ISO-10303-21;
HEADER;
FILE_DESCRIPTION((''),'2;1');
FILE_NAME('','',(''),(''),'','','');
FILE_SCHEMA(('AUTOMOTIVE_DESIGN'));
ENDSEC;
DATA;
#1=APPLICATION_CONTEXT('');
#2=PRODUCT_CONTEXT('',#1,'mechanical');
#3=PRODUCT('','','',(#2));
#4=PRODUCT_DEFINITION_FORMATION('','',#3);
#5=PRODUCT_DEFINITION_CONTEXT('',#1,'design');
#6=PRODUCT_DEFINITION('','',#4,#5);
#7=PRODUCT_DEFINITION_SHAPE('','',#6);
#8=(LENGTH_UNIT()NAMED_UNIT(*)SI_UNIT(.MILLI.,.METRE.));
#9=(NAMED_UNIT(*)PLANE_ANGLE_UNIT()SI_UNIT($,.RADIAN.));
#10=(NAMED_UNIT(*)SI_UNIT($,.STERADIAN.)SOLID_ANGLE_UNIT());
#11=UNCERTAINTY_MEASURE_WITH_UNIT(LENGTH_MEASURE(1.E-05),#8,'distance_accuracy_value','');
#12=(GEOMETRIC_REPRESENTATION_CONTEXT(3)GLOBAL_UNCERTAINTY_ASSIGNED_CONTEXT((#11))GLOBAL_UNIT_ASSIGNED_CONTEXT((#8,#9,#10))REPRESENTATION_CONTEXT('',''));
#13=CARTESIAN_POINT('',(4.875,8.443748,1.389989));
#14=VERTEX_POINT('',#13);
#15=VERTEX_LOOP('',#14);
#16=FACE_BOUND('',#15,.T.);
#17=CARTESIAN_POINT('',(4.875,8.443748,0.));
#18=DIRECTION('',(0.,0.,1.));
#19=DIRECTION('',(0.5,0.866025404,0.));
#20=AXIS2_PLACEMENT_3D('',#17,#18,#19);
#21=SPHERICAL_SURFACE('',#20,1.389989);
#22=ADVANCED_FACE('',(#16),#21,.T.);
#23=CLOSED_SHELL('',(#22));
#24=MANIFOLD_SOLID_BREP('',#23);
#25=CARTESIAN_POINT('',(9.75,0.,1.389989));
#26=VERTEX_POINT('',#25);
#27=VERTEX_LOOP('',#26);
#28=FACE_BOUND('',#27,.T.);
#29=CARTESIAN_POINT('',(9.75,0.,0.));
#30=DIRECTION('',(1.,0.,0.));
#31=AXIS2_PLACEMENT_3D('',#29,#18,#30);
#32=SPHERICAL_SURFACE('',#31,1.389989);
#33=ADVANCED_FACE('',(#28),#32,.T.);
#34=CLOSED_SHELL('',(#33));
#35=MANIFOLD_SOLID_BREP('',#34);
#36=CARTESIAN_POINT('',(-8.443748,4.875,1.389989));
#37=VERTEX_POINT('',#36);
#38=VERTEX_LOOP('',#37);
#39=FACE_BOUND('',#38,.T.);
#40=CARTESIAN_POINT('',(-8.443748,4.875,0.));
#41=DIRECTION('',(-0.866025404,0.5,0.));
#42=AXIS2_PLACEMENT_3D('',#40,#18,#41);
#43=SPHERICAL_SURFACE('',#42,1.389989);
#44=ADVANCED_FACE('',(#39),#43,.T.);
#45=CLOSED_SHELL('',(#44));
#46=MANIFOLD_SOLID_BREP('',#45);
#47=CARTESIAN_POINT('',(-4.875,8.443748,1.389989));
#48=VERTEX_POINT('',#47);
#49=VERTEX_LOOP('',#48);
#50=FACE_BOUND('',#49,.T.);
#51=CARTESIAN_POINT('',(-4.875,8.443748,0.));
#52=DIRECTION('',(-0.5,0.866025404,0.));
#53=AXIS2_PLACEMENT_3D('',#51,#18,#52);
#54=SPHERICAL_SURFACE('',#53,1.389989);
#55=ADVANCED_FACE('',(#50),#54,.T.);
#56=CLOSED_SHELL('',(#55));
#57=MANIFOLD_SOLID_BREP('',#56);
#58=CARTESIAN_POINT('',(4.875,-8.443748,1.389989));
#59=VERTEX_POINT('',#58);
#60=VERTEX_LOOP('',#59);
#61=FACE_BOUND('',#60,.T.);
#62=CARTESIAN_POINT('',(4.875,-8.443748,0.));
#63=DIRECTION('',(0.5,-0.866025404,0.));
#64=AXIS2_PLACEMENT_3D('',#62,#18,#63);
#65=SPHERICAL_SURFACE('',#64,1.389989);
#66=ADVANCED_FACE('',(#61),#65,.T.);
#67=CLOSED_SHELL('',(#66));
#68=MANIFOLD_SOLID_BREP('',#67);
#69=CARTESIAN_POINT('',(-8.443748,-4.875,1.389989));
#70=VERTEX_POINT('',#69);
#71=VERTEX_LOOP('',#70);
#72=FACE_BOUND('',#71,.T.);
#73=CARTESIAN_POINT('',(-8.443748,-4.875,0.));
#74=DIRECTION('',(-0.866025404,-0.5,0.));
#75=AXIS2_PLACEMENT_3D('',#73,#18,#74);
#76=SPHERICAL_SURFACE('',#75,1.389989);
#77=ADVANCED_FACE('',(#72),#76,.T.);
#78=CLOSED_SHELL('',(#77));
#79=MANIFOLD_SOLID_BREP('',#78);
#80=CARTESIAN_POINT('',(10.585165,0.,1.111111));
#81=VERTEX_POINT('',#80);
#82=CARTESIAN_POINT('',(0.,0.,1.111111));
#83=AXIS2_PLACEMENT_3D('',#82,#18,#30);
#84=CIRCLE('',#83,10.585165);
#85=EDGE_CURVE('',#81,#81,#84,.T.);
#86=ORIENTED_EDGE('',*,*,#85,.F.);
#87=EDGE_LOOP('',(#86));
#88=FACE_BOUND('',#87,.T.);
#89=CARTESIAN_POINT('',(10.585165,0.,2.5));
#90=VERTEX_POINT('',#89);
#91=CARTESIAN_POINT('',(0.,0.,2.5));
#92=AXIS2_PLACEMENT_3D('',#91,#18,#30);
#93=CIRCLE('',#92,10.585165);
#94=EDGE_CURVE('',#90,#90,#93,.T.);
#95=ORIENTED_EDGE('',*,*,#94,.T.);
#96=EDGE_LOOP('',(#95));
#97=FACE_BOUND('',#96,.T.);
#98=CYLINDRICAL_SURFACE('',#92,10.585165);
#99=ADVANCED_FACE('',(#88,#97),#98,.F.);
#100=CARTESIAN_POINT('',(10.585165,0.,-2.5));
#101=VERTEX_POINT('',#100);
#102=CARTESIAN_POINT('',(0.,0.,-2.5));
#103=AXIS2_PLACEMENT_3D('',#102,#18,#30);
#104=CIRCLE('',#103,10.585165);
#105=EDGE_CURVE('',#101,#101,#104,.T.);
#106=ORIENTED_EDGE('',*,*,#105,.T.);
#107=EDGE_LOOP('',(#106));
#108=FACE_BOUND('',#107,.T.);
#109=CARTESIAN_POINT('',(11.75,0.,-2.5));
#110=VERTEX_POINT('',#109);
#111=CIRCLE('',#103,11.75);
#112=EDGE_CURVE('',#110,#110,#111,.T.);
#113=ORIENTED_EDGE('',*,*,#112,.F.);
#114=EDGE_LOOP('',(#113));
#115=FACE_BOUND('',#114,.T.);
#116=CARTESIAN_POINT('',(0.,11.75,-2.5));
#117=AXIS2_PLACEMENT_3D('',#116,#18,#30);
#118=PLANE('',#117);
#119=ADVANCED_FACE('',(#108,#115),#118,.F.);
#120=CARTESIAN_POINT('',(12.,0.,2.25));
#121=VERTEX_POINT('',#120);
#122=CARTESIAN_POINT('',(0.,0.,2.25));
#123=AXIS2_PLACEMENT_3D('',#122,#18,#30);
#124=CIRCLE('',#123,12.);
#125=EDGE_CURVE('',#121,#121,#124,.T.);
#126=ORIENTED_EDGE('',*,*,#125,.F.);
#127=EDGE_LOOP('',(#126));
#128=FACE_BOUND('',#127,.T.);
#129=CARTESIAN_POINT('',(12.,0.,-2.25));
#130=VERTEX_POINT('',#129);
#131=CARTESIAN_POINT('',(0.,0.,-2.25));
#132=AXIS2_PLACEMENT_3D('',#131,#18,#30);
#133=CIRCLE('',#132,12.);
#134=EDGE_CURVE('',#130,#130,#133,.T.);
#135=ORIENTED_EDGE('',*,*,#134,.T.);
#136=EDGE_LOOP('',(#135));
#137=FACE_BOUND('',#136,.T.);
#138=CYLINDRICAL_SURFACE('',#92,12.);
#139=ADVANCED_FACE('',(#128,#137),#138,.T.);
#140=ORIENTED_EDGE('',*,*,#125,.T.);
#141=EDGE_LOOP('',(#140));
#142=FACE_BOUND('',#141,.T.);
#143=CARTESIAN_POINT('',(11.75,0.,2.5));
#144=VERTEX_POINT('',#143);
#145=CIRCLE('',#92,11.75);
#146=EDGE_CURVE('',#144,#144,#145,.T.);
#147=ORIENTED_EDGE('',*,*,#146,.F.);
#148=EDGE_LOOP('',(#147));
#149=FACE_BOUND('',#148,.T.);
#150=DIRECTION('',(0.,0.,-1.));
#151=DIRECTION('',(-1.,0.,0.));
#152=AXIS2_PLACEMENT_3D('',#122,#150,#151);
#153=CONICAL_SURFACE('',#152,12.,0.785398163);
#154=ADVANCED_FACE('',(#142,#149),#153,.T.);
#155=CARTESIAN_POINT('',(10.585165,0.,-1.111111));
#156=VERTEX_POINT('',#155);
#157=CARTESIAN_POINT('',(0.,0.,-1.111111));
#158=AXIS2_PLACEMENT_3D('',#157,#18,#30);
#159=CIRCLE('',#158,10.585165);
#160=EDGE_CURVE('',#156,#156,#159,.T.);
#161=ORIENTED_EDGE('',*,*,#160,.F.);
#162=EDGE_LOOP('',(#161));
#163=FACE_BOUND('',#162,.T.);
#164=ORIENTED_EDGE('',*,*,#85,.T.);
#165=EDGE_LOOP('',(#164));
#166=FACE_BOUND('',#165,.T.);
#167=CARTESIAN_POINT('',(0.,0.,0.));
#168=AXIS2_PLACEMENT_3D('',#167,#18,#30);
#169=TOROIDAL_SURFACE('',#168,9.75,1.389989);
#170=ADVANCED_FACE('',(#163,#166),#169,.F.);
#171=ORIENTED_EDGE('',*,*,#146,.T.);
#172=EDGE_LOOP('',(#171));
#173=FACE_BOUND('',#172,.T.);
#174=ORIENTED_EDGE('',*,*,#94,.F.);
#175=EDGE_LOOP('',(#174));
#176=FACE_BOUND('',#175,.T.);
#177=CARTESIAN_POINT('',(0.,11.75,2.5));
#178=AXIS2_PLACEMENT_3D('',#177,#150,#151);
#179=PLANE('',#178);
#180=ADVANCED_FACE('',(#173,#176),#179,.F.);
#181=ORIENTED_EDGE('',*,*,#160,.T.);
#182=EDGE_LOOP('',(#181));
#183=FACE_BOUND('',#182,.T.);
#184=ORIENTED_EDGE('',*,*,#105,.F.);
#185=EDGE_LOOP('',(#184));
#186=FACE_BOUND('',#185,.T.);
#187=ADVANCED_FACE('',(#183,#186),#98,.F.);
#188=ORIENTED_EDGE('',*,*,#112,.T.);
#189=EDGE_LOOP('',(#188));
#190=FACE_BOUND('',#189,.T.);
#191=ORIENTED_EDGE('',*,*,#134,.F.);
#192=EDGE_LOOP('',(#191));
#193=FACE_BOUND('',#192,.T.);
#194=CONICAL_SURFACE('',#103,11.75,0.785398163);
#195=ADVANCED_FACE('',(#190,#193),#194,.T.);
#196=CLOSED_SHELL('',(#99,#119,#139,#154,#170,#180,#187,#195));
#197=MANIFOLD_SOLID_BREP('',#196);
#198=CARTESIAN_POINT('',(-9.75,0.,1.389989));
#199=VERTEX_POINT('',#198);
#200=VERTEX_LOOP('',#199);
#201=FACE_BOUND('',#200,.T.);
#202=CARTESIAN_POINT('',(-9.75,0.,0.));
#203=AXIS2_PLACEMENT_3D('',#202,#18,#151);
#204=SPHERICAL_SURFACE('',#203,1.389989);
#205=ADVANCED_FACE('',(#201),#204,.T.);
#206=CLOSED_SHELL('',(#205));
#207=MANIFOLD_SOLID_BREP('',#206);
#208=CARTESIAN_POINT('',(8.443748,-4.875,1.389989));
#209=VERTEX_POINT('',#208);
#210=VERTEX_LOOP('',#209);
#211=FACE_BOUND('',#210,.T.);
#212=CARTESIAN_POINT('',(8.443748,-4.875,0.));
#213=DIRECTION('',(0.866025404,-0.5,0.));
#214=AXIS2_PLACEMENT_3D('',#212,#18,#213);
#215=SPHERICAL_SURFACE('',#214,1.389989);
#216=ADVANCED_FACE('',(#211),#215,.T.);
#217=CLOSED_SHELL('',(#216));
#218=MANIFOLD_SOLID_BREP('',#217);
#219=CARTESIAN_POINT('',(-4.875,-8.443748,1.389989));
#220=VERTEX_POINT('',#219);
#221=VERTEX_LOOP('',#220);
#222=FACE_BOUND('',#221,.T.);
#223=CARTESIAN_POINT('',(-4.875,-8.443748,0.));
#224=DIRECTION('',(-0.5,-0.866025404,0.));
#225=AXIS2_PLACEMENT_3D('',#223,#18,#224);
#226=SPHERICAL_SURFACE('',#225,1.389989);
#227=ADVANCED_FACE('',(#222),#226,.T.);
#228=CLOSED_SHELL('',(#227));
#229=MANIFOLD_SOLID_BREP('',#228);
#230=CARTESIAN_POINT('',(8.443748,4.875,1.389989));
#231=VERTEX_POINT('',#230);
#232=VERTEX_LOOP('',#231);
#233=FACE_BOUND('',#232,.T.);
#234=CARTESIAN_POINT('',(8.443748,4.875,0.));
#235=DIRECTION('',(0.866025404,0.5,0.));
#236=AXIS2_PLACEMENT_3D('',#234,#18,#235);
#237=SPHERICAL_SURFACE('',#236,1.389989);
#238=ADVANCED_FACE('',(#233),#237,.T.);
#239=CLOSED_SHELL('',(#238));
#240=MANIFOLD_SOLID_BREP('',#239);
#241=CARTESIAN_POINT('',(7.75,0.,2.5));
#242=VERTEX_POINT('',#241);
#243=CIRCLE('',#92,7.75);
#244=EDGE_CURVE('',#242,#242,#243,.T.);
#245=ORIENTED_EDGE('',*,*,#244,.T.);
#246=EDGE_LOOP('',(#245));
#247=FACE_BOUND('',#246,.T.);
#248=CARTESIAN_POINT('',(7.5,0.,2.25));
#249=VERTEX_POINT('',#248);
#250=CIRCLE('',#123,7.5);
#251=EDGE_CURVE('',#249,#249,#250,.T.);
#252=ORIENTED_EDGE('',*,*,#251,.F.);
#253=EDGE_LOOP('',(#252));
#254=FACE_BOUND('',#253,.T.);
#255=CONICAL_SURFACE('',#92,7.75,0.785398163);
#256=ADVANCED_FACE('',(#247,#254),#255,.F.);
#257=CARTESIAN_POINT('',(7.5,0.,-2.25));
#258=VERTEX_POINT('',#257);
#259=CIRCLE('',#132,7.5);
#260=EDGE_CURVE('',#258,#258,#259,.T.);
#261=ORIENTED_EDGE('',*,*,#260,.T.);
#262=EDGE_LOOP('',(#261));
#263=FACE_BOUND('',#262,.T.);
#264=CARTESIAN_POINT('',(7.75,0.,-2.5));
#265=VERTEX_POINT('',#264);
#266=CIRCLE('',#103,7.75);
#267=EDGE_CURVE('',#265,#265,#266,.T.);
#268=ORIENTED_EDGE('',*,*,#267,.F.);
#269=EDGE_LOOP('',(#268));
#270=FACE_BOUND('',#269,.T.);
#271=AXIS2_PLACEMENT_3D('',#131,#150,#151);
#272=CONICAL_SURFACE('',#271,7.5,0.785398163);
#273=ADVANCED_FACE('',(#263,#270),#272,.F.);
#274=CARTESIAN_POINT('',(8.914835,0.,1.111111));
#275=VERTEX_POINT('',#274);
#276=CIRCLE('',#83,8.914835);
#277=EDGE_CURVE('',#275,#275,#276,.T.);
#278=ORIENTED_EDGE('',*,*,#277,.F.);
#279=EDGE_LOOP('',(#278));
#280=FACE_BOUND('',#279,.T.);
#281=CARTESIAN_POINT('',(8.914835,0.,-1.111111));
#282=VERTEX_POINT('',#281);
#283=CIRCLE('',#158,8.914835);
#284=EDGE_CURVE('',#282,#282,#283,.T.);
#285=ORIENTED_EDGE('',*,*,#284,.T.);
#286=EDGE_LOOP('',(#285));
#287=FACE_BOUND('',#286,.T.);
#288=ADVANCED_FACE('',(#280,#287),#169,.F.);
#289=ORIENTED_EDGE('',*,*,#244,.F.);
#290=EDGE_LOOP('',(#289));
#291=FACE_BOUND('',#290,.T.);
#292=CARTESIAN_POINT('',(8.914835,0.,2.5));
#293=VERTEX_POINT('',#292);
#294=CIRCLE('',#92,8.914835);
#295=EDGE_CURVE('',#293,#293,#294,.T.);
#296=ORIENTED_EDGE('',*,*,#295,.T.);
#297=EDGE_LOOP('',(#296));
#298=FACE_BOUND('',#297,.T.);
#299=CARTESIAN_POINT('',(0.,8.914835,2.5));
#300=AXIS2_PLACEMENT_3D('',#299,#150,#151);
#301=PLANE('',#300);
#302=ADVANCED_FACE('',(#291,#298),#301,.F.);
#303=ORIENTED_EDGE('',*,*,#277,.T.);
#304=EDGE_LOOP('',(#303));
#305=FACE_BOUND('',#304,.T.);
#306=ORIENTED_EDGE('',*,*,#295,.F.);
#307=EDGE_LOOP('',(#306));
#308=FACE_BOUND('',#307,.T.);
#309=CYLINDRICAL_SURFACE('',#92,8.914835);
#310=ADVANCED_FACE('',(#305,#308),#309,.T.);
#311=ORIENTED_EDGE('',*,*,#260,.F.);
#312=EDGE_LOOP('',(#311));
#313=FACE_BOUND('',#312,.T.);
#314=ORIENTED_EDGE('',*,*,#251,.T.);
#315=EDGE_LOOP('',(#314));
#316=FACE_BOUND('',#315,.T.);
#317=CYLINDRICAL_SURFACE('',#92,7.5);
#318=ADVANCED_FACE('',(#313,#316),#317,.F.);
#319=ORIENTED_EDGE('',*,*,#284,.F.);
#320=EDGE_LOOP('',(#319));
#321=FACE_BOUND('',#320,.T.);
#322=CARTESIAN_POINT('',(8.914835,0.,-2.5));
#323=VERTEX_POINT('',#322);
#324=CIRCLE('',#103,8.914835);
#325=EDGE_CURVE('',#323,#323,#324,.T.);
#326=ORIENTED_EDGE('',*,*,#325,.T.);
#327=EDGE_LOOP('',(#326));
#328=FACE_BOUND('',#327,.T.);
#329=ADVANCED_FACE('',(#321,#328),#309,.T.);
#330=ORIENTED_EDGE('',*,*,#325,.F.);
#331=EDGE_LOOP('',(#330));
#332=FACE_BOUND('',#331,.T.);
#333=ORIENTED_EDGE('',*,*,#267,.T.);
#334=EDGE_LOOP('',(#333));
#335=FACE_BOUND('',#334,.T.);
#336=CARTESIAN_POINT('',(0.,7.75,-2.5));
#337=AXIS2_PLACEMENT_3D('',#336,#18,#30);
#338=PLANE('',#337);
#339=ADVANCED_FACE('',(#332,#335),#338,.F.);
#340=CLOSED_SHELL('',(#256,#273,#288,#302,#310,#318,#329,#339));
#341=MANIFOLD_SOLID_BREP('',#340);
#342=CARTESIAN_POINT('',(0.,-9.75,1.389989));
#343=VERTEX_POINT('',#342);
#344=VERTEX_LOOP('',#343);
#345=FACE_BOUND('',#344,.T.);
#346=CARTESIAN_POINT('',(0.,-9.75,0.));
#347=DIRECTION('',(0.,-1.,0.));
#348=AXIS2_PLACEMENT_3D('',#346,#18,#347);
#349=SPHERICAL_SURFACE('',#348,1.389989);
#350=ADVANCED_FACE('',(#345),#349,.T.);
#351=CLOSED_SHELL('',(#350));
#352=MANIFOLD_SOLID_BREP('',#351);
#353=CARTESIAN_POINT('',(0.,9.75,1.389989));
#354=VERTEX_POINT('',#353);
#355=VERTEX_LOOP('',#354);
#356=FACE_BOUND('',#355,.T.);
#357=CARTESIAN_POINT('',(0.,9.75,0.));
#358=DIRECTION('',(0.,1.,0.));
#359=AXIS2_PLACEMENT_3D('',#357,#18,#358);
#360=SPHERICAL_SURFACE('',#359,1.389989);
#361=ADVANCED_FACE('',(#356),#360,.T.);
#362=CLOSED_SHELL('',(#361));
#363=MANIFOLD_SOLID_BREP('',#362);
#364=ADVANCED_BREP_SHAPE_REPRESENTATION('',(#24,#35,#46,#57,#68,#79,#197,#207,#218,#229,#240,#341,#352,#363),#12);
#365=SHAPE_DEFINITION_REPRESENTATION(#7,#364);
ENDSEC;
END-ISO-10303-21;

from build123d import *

# Parameters (mm, degrees)
CIRPATTERN1_COUNT = 12


with BuildPart() as part:
    # Sketch1 → Revolve1 (revolve)
    with BuildSketch(Plane(origin=(0, 0, 0), x_dir=(0, 0, -1), z_dir=(1, 0, 0))):
        with BuildLine():
            Line((2.25, 12), (-2.25, 12))
            Line((-2.25, 12), (-2.5, 11.75))
            Line((-2.5, 11.75), (-2.5, 10.585164835))
            Line((-2.5, 10.585164835), (-1.111111111, 10.585164835))
            ThreePointArc((-1.111111111, 10.585164835), (0, 11.139988562), (1.111111111, 10.585164835))
            Line((1.111111111, 10.585164835), (2.5, 10.585164835))
            Line((2.5, 10.585164835), (2.5, 11.75))
            Line((2.5, 11.75), (2.25, 12))
        make_face()
    revolve(axis=Axis((0, 0, 2.5), (0, 0, -1)))


with BuildPart() as body_2:
    # Sketch3 → Revolve3 (revolve)
    with BuildSketch(Plane(origin=(0, 0, 0), x_dir=(0, 0, -1), z_dir=(1, 0, 0))):
        with BuildLine():
            Line((-2.5, 8.914835165), (-1.111111111, 8.914835165))
            ThreePointArc((-1.111111111, 8.914835165), (0, 8.360011438), (1.111111111, 8.914835165))
            Line((1.111111111, 8.914835165), (2.5, 8.914835165))
            Line((2.5, 8.914835165), (2.5, 7.75))
            Line((2.5, 7.75), (2.25, 7.5))
            Line((2.25, 7.5), (-2.25, 7.5))
            Line((-2.25, 7.5), (-2.5, 7.75))
            Line((-2.5, 7.75), (-2.5, 8.914835165))
        make_face()
    revolve(axis=Axis((0, 0, 2.5), (0, 0, -1)))


with BuildPart() as body_3:
    # Sketch4 → Revolve4 (revolve)
    with BuildSketch(Plane(origin=(0, 0, 0), x_dir=(0, 0, -1), z_dir=(1, 0, 0))):
        with BuildLine():
            Line((-1.389988562, 9.75), (1.389988562, 9.75))
            ThreePointArc((1.389988562, 9.75), (0, 11.139988562), (-1.389988562, 9.75))
        make_face()
    revolve(axis=Axis((0, 9.75, 1.389988562), (0, 0, -1)))


with BuildPart() as cirpattern1_1:
    # CirPattern1: pattern copy
    add(body_3.part.rotate(Axis((0, 0, -2.5), (0, 0, 1)), 1 * 360 / CIRPATTERN1_COUNT))


with BuildPart() as cirpattern1_2:
    # CirPattern1: pattern copy
    add(body_3.part.rotate(Axis((0, 0, -2.5), (0, 0, 1)), 2 * 360 / CIRPATTERN1_COUNT))


with BuildPart() as cirpattern1_3:
    # CirPattern1: pattern copy
    add(body_3.part.rotate(Axis((0, 0, -2.5), (0, 0, 1)), 3 * 360 / CIRPATTERN1_COUNT))


with BuildPart() as cirpattern1_4:
    # CirPattern1: pattern copy
    add(body_3.part.rotate(Axis((0, 0, -2.5), (0, 0, 1)), 4 * 360 / CIRPATTERN1_COUNT))


with BuildPart() as cirpattern1_5:
    # CirPattern1: pattern copy
    add(body_3.part.rotate(Axis((0, 0, -2.5), (0, 0, 1)), 5 * 360 / CIRPATTERN1_COUNT))


with BuildPart() as cirpattern1_6:
    # CirPattern1: pattern copy
    add(body_3.part.rotate(Axis((0, 0, -2.5), (0, 0, 1)), 6 * 360 / CIRPATTERN1_COUNT))


with BuildPart() as cirpattern1_7:
    # CirPattern1: pattern copy
    add(body_3.part.rotate(Axis((0, 0, -2.5), (0, 0, 1)), 7 * 360 / CIRPATTERN1_COUNT))


with BuildPart() as cirpattern1_8:
    # CirPattern1: pattern copy
    add(body_3.part.rotate(Axis((0, 0, -2.5), (0, 0, 1)), 8 * 360 / CIRPATTERN1_COUNT))


with BuildPart() as cirpattern1_9:
    # CirPattern1: pattern copy
    add(body_3.part.rotate(Axis((0, 0, -2.5), (0, 0, 1)), 9 * 360 / CIRPATTERN1_COUNT))


with BuildPart() as cirpattern1_10:
    # CirPattern1: pattern copy
    add(body_3.part.rotate(Axis((0, 0, -2.5), (0, 0, 1)), 10 * 360 / CIRPATTERN1_COUNT))


with BuildPart() as cirpattern1_11:
    # CirPattern1: pattern copy
    add(body_3.part.rotate(Axis((0, 0, -2.5), (0, 0, 1)), 11 * 360 / CIRPATTERN1_COUNT))


solid = Compound([part.part, body_2.part, body_3.part, cirpattern1_1.part, cirpattern1_2.part, cirpattern1_3.part, cirpattern1_4.part, cirpattern1_5.part, cirpattern1_6.part, cirpattern1_7.part, cirpattern1_8.part, cirpattern1_9.part, cirpattern1_10.part, cirpattern1_11.part])
